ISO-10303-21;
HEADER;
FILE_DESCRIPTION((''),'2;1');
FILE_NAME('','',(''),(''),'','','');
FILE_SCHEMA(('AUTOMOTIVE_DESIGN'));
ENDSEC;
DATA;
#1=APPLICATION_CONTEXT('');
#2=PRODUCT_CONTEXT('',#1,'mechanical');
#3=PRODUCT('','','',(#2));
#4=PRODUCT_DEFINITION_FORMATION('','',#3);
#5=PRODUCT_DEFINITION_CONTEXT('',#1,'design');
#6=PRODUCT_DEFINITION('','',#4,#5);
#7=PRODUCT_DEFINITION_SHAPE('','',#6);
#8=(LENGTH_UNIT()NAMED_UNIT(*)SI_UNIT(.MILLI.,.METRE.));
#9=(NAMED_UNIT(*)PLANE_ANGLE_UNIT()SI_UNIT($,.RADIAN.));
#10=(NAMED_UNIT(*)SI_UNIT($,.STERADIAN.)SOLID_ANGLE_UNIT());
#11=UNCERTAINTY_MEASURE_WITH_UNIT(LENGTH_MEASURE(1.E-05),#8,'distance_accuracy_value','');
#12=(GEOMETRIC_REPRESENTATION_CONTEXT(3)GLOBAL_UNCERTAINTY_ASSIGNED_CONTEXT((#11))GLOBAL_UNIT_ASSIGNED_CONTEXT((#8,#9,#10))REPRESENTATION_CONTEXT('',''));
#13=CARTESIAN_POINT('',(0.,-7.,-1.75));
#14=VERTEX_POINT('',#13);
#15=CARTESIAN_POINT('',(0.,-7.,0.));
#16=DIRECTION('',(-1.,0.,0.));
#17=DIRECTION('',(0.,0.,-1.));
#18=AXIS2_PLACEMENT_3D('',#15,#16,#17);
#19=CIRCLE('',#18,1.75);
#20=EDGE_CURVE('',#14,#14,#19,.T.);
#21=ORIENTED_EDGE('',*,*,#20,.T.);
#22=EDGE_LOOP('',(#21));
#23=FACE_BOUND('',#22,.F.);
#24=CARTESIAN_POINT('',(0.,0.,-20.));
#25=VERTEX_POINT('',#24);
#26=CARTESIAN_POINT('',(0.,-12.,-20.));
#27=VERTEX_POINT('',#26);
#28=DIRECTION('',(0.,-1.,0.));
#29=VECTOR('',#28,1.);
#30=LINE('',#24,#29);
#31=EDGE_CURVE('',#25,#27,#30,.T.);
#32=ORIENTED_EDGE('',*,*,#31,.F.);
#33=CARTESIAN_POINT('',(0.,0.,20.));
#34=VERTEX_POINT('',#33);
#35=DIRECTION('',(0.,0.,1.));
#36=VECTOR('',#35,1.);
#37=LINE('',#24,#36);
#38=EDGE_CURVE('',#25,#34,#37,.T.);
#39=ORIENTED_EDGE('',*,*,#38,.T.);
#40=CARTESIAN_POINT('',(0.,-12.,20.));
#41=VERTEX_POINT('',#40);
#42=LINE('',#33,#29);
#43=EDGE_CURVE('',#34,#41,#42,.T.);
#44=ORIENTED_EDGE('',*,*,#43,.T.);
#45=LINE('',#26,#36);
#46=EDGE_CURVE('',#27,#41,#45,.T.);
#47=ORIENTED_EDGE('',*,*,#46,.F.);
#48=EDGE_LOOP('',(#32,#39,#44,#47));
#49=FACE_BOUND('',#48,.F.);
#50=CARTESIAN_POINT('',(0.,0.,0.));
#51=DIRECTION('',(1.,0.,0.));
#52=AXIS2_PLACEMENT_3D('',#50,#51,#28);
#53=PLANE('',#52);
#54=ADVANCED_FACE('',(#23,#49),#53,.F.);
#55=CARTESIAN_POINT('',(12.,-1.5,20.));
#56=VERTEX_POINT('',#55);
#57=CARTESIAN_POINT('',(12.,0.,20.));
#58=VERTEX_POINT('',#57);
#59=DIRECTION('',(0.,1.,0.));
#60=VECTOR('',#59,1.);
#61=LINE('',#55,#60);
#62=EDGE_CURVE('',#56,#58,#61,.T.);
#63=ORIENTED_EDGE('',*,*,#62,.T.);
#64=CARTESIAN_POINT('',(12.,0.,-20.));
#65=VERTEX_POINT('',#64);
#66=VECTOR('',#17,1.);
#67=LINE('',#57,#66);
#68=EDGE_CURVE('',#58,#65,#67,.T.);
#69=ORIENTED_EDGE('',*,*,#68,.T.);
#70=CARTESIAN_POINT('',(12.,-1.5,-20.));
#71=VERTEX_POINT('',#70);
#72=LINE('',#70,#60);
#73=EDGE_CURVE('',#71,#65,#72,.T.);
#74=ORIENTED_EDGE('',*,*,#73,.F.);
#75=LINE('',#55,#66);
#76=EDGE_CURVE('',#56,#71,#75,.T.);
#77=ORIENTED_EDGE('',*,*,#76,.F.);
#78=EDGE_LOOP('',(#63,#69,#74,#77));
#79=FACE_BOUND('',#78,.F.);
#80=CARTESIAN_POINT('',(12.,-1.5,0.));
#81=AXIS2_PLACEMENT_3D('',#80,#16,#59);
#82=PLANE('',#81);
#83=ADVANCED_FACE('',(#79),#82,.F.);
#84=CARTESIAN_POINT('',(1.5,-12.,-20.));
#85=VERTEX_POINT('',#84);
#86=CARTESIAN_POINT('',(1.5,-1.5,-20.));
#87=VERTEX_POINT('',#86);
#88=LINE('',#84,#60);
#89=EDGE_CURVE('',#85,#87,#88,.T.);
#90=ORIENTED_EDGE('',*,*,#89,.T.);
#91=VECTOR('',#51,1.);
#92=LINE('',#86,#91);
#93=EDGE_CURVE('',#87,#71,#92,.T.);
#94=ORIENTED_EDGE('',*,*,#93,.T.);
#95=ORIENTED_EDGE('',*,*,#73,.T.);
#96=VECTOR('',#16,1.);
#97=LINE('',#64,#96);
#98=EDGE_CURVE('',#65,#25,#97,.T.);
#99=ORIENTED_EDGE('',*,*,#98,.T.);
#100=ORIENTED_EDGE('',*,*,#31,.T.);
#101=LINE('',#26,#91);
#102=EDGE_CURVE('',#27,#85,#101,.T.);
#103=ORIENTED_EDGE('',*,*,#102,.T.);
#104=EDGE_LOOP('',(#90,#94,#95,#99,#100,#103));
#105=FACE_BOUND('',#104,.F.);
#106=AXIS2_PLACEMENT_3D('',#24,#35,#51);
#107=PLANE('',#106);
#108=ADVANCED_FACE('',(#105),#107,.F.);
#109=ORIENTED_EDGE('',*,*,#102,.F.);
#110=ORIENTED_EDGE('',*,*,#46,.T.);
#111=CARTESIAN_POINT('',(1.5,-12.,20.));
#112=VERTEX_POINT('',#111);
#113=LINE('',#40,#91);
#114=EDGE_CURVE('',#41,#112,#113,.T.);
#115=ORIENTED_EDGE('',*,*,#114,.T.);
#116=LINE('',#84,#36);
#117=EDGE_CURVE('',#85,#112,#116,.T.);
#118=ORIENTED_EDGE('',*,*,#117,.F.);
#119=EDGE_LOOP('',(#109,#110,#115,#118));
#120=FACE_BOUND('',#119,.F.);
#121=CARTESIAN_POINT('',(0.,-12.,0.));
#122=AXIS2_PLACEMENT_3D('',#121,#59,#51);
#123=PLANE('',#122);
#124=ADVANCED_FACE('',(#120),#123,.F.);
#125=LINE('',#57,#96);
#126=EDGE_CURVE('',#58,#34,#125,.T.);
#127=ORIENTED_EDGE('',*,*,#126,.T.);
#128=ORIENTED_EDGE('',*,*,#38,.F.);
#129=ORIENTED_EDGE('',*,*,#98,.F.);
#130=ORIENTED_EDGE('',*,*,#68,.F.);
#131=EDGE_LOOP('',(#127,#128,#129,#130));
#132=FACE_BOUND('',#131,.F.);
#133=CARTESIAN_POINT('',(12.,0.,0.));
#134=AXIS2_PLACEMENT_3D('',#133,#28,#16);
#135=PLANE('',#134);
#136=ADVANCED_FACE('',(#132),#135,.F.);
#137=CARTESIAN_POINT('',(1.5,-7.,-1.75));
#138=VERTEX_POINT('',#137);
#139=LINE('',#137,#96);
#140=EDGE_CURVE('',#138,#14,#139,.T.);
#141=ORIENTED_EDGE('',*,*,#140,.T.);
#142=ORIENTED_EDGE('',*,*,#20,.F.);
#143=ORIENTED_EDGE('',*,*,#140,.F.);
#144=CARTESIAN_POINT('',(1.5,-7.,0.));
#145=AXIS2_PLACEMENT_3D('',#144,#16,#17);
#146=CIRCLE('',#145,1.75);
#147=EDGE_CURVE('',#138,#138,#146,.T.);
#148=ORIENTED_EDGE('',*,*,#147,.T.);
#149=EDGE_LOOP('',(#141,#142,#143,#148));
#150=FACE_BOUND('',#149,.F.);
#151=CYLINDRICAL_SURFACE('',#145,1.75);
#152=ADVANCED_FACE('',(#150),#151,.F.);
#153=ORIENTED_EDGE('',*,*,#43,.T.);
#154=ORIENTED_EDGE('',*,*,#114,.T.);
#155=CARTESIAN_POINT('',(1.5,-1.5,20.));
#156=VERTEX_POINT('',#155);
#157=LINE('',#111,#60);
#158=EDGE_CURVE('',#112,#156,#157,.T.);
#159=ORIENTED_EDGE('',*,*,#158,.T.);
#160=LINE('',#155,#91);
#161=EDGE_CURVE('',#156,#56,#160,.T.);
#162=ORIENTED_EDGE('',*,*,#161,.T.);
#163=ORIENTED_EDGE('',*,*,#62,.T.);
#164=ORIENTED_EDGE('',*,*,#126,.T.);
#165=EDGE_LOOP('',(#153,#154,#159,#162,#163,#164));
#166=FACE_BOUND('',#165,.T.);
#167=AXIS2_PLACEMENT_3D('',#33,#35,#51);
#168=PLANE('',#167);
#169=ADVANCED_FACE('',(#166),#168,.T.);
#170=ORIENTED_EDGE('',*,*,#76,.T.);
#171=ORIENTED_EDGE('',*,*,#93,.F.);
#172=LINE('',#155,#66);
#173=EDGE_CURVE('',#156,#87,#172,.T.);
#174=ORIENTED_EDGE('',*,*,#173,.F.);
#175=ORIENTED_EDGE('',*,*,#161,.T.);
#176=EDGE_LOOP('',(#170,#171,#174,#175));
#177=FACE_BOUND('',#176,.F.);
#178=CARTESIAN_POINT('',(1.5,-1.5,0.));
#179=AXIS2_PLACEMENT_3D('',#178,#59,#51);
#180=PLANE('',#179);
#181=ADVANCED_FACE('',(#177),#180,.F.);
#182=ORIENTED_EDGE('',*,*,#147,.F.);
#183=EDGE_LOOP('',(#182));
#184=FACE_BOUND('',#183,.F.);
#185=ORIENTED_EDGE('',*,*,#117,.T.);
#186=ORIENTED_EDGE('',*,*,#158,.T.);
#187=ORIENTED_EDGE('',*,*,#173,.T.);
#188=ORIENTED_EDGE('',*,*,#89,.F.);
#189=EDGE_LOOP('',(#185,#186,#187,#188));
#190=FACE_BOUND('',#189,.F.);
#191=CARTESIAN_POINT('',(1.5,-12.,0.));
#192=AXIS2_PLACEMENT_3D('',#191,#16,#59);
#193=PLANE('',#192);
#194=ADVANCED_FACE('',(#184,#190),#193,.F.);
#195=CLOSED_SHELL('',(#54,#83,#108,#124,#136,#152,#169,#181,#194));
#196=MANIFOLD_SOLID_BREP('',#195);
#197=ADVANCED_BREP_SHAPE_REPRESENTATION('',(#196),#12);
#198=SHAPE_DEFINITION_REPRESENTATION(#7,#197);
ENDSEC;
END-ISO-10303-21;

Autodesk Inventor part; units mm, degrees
ref_plane "YZ Plane" through (0, 0, 0) normal (1, 0, 0) x (0, 1, 0)
ref_plane "XZ Plane" through (0, 0, 0) normal (0, 1, 0) x (-1, 0, 0)
ref_plane "XY Plane" through (0, 0, 0) normal (0, 0, 1) x (1, 0, 0)
sketch "Szkic1" plane through (0, 0, 0) normal (0, 0, 1) x (1, 0, 0)
  line L0 (0, 0) -> (0, -12)
  line L1 (0, -12) -> (1.5, -12)
  line L2 (1.5, -12) -> (1.5, -1.5)
  line L3 (1.5, -1.5) -> (12, -1.5)
  line L4 (12, -1.5) -> (12, 0)
  line L5 (12, 0) -> (0, 0)
  dimension "d0" = 12
  dimension "d1" = 1.5
  dimension "d2" = 10.5
  dimension "d3" = 10.5
extrude "Wyciągnięcie proste1" add sketch "Szkic1" along normal mid plane 40
sketch "Szkic2" plane through (1.5, -12, 20) normal (1, 0, 0) x (0, 0, -1)
  line L0 (40, 0) -> (0, 0) projected
  line L1 (40, 0) -> (0, 0) construction
  line L2 (20, 0) -> (20, 5) construction
  point P0 (20, 12)
  dimension "d6" = 5
hole "Otwór1" at (1.5, -7, 0) direction (-1, 0, 0) diameter 3.5 end through all
properties part number "bepf_platforma_wspornik_poziomy" material "Aluminium 6061"
